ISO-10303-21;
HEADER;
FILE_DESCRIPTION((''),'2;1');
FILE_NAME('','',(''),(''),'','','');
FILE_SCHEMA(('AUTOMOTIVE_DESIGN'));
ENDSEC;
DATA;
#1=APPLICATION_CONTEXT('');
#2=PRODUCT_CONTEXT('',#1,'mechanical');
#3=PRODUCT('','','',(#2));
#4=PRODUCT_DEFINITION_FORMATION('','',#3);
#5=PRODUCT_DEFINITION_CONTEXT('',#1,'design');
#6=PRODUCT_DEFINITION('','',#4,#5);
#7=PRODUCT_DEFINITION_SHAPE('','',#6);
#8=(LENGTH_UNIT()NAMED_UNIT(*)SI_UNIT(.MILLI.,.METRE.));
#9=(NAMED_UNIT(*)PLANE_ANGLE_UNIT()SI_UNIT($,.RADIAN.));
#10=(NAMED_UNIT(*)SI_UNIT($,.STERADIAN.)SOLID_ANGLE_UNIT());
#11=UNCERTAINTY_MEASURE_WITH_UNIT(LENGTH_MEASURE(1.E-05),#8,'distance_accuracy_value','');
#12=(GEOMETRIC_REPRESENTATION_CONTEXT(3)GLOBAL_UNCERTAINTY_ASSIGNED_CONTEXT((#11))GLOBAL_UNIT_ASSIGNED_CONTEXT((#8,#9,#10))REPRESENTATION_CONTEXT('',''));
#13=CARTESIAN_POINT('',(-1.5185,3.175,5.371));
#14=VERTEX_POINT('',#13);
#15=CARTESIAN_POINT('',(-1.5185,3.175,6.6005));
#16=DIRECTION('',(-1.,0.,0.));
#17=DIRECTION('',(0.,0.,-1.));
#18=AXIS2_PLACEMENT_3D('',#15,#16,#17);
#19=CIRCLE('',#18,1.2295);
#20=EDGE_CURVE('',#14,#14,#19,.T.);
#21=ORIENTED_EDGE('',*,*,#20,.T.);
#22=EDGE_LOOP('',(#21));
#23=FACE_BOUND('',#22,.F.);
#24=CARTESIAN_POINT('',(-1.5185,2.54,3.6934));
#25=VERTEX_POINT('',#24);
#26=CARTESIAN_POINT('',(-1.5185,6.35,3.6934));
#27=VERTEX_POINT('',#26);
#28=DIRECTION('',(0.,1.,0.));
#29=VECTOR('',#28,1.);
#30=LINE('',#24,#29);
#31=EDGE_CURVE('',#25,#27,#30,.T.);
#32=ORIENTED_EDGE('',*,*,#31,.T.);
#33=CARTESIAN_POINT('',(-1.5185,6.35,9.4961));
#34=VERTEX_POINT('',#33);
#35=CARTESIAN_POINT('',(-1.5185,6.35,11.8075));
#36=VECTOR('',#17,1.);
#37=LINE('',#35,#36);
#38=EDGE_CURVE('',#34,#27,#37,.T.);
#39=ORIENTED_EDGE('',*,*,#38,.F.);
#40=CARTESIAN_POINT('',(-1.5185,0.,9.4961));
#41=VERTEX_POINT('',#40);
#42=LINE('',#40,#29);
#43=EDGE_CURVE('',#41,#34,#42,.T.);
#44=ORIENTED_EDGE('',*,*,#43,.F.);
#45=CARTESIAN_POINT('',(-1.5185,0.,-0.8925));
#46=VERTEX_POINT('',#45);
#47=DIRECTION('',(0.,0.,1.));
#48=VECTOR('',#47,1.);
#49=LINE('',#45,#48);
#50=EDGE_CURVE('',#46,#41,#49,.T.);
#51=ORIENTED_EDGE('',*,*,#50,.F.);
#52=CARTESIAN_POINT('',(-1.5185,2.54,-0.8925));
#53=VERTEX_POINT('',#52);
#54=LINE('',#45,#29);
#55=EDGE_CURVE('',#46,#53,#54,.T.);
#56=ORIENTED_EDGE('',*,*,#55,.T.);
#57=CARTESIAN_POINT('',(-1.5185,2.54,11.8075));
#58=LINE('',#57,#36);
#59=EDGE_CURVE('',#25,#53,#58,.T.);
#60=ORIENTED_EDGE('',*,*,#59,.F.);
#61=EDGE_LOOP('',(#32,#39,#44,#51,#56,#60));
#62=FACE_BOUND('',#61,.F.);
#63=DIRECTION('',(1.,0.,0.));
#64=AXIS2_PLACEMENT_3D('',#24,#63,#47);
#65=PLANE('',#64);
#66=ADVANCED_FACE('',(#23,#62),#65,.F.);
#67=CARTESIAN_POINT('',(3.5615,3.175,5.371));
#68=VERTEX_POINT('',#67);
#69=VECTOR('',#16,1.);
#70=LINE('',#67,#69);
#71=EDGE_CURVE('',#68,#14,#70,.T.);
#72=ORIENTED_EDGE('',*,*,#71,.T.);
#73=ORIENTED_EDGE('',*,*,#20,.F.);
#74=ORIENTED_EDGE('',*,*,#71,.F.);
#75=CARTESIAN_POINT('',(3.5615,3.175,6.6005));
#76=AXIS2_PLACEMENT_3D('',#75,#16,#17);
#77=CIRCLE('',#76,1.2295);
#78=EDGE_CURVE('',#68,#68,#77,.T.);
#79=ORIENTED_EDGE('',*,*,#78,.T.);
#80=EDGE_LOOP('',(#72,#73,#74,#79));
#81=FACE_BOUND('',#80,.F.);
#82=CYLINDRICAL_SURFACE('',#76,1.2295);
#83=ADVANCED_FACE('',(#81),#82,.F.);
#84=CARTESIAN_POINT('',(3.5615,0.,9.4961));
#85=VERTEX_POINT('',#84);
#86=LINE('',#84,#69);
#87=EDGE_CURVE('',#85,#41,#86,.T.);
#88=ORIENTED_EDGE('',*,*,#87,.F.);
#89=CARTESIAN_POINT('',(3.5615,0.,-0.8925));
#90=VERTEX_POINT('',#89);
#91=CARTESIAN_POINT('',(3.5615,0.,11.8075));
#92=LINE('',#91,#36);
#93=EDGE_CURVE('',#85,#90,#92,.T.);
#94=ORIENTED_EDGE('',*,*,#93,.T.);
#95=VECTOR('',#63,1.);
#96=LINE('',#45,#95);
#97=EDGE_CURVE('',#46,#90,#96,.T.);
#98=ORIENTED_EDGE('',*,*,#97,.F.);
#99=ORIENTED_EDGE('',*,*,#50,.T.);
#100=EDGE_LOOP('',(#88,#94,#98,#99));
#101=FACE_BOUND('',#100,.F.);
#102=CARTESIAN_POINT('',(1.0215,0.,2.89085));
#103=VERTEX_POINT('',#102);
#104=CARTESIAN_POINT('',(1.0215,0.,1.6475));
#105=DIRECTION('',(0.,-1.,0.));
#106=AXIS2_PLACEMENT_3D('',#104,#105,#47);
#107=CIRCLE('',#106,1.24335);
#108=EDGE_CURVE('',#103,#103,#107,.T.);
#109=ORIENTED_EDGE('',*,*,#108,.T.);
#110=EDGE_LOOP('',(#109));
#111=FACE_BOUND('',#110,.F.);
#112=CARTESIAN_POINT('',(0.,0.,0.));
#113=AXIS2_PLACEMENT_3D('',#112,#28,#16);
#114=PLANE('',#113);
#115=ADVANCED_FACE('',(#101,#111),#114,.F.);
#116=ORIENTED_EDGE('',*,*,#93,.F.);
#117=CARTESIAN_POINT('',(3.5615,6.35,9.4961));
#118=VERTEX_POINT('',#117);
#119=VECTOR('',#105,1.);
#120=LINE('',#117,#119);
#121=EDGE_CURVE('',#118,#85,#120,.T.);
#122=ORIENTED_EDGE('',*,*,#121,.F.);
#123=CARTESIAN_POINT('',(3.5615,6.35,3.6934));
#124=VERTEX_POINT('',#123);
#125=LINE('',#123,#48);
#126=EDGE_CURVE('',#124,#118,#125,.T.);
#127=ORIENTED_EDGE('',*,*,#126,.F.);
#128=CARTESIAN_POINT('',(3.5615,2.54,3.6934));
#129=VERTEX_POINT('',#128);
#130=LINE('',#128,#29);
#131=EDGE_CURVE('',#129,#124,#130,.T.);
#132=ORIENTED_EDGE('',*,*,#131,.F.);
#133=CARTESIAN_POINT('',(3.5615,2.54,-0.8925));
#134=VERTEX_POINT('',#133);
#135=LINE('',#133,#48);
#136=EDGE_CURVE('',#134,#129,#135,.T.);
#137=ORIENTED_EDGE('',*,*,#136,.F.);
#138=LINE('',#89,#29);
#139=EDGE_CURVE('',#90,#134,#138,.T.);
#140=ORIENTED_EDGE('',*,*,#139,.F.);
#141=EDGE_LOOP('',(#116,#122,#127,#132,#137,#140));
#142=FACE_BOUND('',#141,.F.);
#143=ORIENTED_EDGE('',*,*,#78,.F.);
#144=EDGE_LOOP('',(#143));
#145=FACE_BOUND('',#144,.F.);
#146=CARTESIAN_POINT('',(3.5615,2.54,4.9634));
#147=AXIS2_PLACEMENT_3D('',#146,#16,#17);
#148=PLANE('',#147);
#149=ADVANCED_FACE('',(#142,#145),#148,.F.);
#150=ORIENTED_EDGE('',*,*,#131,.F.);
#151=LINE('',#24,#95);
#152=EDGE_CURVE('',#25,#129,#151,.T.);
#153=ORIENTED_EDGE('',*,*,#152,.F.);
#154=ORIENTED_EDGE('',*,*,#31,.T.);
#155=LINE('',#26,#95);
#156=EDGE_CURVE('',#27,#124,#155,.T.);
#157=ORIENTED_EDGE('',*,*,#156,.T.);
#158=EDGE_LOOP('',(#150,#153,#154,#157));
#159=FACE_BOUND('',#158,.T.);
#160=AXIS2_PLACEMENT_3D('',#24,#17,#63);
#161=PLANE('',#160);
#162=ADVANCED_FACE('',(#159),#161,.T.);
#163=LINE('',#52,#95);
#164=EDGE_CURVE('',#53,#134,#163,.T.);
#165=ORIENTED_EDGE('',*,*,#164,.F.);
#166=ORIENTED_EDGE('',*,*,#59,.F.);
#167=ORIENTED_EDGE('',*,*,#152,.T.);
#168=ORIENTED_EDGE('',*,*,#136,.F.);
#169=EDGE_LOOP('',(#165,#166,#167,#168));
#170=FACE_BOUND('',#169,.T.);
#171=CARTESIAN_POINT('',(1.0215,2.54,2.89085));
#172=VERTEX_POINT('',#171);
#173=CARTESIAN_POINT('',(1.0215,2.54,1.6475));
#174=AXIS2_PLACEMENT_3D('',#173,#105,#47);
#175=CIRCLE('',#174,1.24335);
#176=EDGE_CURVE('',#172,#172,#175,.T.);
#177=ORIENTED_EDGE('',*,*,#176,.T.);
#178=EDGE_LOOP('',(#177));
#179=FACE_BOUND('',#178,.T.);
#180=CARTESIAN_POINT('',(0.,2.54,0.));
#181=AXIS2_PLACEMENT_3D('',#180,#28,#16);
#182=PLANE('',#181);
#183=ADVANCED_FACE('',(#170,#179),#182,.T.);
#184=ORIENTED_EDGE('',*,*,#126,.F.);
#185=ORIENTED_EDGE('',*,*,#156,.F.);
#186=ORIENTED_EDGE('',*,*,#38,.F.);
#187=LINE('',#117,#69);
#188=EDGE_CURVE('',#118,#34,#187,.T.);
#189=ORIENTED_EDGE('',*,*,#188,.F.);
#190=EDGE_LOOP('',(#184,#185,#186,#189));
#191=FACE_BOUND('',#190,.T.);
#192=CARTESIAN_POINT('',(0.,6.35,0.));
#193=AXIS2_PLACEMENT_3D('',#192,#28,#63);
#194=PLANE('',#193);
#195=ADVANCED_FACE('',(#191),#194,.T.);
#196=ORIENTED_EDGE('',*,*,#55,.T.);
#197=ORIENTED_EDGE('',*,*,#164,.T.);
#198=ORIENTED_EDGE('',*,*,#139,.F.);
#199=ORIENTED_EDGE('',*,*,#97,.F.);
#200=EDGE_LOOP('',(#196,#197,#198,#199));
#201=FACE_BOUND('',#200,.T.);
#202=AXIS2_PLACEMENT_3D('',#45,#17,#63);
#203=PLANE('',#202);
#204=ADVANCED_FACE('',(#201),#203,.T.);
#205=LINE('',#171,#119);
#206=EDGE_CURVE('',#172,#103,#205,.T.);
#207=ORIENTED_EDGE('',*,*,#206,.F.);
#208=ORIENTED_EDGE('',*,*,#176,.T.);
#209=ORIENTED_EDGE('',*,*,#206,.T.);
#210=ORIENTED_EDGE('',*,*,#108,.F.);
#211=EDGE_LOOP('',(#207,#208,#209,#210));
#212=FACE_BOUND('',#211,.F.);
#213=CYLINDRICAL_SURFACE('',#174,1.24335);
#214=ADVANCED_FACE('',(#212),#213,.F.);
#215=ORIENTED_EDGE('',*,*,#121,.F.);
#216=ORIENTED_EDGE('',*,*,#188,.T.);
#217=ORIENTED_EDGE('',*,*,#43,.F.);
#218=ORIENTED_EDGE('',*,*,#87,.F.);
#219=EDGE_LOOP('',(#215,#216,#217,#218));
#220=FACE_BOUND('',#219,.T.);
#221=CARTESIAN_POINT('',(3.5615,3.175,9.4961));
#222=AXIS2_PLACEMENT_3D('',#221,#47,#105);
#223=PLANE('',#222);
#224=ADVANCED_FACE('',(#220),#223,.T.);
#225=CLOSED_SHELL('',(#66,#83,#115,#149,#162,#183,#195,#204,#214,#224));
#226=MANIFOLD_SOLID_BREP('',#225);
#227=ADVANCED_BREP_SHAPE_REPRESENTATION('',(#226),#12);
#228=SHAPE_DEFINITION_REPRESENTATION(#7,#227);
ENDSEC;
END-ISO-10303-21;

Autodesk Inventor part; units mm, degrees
ref_plane "YZ Plane" through (0, 0, 0) normal (1, 0, 0) x (0, 1, 0)
ref_plane "XZ Plane" through (0, 0, 0) normal (0, 1, 0) x (-1, 0, 0)
ref_plane "XY Plane" through (0, 0, 0) normal (0, 0, 1) x (1, 0, 0)
sketch "Sketch20" plane through (0, 0, 0) normal (0, 1, 0) x (-1, 0, 0)
  line L0 (1.5185, -0.8925) -> (-3.5615, -0.8925)
  line L1 (-3.5615, -0.8925) -> (-3.5615, 11.8075)
  line L2 (-3.5615, 11.8075) -> (1.5185, 11.8075)
  line L3 (1.5185, 11.8075) -> (1.5185, -0.8925)
  line L4 (1.5185, 4.9634) -> (-3.5615, 4.9634)
  point P0 (0, 0)
  dimension "d56" = 5.08
  dimension "d57" = 12.7
extrude "Extrusion7" add sketch "Sketch20" along normal blind 2.54 contours L0 L1 L4 L3
extrude "Extrusion8" add sketch "Sketch20" along normal blind 6.35 contours L4 L1 L2 L3
sketch "Sketch21" plane through (0, 2.54, 0) normal (0, 1, 0) x (1, 0, 0)
  line L0 (3.5615, 0.8925) -> (-1.5185, 0.8925) projected
  line L1 (-1.5185, 0.8925) -> (-1.5185, -4.9634) projected
  point P0 (0, 0)
  point P1 (1.0215, -1.6475)
  dimension "d62" = 2.54
  dimension "d63" = 2.54
hole "Hole5" at (1.0215, 2.54, 1.6475) direction (0, -1, 0) diameter 2.4867 end through all
sketch "Sketch22" plane through (3.5615, 0, -0.8925) normal (1, 0, 0) x (0, 0, -1)
  line L0 (-12.7, 6.35) -> (-5.8558, 6.35) projected
  line L1 (-12.7, 0) -> (-12.7, 6.35) projected
  point P0 (-0.8925, 0)
  point P1 (-7.493, 3.175)
  dimension "d71" = 3.175
  dimension "d72" = 5.207
hole "Hole6" at (3.5615, 3.175, 6.6005) direction (-1, 0, 0) diameter 2.459 end through all thread size "M3x0.5" class "6H" standard "ISO Metric profile"
sketch "Sketch23" plane through (0, 2.54, 0) normal (0, 1, 0) x (1, 0, 0)
  line L0 (-1.5185, 0.8925) -> (-1.5185, -4.9634) projected
  line L1 (-1.5185, -4.9634) -> (-1.5185, -3.6934)
  line L2 (-1.5185, -3.6934) -> (3.5615, -3.6934)
  line L3 (3.5615, -4.9634) -> (3.5615, 0.8925) projected
  line L4 (3.5615, -3.6934) -> (3.5615, -4.9634)
  line L5 (3.5615, -11.8075) -> (3.5615, 0.8925) projected
  line L6 (3.5615, -4.9634) -> (-1.5185, -4.9634) projected
  line L7 (-1.5185, -4.9634) -> (3.5615, -4.9634)
  point P0 (0, 0)
  dimension "d80" = 1.27
extrude "Extrusion9" add sketch "Sketch23" along normal blind 3.81
sketch "Sketch25" plane through (3.5615, 0, -0.8925) normal (1, 0, 0) x (0, 0, -1)
  circle A0 centre (-7.493, 3.175) radius 1.2295 projected
  line L0 (-7.493, 3.175) -> (-10.3886, 3.175)
  line L1 (-4.5858, 6.35) -> (-12.7, 6.35) projected
  line L2 (-12.7, 0) -> (0, 0) projected
  line L3 (-12.7, 6.35) -> (-10.3886, 6.35)
  line L4 (-10.3886, 6.35) -> (-10.3886, 0)
  line L5 (-10.3886, 0) -> (-12.7, 0)
  line L6 (-12.7, 0) -> (-12.7, 6.35)
  point P0 (-0.8925, 0)
  dimension "d83" = 2.8956
extrude "Extrusion10" cut sketch "Sketch25" against normal blind 25.4 contours L4 L2 L6 L1
properties part number "filament holders"
